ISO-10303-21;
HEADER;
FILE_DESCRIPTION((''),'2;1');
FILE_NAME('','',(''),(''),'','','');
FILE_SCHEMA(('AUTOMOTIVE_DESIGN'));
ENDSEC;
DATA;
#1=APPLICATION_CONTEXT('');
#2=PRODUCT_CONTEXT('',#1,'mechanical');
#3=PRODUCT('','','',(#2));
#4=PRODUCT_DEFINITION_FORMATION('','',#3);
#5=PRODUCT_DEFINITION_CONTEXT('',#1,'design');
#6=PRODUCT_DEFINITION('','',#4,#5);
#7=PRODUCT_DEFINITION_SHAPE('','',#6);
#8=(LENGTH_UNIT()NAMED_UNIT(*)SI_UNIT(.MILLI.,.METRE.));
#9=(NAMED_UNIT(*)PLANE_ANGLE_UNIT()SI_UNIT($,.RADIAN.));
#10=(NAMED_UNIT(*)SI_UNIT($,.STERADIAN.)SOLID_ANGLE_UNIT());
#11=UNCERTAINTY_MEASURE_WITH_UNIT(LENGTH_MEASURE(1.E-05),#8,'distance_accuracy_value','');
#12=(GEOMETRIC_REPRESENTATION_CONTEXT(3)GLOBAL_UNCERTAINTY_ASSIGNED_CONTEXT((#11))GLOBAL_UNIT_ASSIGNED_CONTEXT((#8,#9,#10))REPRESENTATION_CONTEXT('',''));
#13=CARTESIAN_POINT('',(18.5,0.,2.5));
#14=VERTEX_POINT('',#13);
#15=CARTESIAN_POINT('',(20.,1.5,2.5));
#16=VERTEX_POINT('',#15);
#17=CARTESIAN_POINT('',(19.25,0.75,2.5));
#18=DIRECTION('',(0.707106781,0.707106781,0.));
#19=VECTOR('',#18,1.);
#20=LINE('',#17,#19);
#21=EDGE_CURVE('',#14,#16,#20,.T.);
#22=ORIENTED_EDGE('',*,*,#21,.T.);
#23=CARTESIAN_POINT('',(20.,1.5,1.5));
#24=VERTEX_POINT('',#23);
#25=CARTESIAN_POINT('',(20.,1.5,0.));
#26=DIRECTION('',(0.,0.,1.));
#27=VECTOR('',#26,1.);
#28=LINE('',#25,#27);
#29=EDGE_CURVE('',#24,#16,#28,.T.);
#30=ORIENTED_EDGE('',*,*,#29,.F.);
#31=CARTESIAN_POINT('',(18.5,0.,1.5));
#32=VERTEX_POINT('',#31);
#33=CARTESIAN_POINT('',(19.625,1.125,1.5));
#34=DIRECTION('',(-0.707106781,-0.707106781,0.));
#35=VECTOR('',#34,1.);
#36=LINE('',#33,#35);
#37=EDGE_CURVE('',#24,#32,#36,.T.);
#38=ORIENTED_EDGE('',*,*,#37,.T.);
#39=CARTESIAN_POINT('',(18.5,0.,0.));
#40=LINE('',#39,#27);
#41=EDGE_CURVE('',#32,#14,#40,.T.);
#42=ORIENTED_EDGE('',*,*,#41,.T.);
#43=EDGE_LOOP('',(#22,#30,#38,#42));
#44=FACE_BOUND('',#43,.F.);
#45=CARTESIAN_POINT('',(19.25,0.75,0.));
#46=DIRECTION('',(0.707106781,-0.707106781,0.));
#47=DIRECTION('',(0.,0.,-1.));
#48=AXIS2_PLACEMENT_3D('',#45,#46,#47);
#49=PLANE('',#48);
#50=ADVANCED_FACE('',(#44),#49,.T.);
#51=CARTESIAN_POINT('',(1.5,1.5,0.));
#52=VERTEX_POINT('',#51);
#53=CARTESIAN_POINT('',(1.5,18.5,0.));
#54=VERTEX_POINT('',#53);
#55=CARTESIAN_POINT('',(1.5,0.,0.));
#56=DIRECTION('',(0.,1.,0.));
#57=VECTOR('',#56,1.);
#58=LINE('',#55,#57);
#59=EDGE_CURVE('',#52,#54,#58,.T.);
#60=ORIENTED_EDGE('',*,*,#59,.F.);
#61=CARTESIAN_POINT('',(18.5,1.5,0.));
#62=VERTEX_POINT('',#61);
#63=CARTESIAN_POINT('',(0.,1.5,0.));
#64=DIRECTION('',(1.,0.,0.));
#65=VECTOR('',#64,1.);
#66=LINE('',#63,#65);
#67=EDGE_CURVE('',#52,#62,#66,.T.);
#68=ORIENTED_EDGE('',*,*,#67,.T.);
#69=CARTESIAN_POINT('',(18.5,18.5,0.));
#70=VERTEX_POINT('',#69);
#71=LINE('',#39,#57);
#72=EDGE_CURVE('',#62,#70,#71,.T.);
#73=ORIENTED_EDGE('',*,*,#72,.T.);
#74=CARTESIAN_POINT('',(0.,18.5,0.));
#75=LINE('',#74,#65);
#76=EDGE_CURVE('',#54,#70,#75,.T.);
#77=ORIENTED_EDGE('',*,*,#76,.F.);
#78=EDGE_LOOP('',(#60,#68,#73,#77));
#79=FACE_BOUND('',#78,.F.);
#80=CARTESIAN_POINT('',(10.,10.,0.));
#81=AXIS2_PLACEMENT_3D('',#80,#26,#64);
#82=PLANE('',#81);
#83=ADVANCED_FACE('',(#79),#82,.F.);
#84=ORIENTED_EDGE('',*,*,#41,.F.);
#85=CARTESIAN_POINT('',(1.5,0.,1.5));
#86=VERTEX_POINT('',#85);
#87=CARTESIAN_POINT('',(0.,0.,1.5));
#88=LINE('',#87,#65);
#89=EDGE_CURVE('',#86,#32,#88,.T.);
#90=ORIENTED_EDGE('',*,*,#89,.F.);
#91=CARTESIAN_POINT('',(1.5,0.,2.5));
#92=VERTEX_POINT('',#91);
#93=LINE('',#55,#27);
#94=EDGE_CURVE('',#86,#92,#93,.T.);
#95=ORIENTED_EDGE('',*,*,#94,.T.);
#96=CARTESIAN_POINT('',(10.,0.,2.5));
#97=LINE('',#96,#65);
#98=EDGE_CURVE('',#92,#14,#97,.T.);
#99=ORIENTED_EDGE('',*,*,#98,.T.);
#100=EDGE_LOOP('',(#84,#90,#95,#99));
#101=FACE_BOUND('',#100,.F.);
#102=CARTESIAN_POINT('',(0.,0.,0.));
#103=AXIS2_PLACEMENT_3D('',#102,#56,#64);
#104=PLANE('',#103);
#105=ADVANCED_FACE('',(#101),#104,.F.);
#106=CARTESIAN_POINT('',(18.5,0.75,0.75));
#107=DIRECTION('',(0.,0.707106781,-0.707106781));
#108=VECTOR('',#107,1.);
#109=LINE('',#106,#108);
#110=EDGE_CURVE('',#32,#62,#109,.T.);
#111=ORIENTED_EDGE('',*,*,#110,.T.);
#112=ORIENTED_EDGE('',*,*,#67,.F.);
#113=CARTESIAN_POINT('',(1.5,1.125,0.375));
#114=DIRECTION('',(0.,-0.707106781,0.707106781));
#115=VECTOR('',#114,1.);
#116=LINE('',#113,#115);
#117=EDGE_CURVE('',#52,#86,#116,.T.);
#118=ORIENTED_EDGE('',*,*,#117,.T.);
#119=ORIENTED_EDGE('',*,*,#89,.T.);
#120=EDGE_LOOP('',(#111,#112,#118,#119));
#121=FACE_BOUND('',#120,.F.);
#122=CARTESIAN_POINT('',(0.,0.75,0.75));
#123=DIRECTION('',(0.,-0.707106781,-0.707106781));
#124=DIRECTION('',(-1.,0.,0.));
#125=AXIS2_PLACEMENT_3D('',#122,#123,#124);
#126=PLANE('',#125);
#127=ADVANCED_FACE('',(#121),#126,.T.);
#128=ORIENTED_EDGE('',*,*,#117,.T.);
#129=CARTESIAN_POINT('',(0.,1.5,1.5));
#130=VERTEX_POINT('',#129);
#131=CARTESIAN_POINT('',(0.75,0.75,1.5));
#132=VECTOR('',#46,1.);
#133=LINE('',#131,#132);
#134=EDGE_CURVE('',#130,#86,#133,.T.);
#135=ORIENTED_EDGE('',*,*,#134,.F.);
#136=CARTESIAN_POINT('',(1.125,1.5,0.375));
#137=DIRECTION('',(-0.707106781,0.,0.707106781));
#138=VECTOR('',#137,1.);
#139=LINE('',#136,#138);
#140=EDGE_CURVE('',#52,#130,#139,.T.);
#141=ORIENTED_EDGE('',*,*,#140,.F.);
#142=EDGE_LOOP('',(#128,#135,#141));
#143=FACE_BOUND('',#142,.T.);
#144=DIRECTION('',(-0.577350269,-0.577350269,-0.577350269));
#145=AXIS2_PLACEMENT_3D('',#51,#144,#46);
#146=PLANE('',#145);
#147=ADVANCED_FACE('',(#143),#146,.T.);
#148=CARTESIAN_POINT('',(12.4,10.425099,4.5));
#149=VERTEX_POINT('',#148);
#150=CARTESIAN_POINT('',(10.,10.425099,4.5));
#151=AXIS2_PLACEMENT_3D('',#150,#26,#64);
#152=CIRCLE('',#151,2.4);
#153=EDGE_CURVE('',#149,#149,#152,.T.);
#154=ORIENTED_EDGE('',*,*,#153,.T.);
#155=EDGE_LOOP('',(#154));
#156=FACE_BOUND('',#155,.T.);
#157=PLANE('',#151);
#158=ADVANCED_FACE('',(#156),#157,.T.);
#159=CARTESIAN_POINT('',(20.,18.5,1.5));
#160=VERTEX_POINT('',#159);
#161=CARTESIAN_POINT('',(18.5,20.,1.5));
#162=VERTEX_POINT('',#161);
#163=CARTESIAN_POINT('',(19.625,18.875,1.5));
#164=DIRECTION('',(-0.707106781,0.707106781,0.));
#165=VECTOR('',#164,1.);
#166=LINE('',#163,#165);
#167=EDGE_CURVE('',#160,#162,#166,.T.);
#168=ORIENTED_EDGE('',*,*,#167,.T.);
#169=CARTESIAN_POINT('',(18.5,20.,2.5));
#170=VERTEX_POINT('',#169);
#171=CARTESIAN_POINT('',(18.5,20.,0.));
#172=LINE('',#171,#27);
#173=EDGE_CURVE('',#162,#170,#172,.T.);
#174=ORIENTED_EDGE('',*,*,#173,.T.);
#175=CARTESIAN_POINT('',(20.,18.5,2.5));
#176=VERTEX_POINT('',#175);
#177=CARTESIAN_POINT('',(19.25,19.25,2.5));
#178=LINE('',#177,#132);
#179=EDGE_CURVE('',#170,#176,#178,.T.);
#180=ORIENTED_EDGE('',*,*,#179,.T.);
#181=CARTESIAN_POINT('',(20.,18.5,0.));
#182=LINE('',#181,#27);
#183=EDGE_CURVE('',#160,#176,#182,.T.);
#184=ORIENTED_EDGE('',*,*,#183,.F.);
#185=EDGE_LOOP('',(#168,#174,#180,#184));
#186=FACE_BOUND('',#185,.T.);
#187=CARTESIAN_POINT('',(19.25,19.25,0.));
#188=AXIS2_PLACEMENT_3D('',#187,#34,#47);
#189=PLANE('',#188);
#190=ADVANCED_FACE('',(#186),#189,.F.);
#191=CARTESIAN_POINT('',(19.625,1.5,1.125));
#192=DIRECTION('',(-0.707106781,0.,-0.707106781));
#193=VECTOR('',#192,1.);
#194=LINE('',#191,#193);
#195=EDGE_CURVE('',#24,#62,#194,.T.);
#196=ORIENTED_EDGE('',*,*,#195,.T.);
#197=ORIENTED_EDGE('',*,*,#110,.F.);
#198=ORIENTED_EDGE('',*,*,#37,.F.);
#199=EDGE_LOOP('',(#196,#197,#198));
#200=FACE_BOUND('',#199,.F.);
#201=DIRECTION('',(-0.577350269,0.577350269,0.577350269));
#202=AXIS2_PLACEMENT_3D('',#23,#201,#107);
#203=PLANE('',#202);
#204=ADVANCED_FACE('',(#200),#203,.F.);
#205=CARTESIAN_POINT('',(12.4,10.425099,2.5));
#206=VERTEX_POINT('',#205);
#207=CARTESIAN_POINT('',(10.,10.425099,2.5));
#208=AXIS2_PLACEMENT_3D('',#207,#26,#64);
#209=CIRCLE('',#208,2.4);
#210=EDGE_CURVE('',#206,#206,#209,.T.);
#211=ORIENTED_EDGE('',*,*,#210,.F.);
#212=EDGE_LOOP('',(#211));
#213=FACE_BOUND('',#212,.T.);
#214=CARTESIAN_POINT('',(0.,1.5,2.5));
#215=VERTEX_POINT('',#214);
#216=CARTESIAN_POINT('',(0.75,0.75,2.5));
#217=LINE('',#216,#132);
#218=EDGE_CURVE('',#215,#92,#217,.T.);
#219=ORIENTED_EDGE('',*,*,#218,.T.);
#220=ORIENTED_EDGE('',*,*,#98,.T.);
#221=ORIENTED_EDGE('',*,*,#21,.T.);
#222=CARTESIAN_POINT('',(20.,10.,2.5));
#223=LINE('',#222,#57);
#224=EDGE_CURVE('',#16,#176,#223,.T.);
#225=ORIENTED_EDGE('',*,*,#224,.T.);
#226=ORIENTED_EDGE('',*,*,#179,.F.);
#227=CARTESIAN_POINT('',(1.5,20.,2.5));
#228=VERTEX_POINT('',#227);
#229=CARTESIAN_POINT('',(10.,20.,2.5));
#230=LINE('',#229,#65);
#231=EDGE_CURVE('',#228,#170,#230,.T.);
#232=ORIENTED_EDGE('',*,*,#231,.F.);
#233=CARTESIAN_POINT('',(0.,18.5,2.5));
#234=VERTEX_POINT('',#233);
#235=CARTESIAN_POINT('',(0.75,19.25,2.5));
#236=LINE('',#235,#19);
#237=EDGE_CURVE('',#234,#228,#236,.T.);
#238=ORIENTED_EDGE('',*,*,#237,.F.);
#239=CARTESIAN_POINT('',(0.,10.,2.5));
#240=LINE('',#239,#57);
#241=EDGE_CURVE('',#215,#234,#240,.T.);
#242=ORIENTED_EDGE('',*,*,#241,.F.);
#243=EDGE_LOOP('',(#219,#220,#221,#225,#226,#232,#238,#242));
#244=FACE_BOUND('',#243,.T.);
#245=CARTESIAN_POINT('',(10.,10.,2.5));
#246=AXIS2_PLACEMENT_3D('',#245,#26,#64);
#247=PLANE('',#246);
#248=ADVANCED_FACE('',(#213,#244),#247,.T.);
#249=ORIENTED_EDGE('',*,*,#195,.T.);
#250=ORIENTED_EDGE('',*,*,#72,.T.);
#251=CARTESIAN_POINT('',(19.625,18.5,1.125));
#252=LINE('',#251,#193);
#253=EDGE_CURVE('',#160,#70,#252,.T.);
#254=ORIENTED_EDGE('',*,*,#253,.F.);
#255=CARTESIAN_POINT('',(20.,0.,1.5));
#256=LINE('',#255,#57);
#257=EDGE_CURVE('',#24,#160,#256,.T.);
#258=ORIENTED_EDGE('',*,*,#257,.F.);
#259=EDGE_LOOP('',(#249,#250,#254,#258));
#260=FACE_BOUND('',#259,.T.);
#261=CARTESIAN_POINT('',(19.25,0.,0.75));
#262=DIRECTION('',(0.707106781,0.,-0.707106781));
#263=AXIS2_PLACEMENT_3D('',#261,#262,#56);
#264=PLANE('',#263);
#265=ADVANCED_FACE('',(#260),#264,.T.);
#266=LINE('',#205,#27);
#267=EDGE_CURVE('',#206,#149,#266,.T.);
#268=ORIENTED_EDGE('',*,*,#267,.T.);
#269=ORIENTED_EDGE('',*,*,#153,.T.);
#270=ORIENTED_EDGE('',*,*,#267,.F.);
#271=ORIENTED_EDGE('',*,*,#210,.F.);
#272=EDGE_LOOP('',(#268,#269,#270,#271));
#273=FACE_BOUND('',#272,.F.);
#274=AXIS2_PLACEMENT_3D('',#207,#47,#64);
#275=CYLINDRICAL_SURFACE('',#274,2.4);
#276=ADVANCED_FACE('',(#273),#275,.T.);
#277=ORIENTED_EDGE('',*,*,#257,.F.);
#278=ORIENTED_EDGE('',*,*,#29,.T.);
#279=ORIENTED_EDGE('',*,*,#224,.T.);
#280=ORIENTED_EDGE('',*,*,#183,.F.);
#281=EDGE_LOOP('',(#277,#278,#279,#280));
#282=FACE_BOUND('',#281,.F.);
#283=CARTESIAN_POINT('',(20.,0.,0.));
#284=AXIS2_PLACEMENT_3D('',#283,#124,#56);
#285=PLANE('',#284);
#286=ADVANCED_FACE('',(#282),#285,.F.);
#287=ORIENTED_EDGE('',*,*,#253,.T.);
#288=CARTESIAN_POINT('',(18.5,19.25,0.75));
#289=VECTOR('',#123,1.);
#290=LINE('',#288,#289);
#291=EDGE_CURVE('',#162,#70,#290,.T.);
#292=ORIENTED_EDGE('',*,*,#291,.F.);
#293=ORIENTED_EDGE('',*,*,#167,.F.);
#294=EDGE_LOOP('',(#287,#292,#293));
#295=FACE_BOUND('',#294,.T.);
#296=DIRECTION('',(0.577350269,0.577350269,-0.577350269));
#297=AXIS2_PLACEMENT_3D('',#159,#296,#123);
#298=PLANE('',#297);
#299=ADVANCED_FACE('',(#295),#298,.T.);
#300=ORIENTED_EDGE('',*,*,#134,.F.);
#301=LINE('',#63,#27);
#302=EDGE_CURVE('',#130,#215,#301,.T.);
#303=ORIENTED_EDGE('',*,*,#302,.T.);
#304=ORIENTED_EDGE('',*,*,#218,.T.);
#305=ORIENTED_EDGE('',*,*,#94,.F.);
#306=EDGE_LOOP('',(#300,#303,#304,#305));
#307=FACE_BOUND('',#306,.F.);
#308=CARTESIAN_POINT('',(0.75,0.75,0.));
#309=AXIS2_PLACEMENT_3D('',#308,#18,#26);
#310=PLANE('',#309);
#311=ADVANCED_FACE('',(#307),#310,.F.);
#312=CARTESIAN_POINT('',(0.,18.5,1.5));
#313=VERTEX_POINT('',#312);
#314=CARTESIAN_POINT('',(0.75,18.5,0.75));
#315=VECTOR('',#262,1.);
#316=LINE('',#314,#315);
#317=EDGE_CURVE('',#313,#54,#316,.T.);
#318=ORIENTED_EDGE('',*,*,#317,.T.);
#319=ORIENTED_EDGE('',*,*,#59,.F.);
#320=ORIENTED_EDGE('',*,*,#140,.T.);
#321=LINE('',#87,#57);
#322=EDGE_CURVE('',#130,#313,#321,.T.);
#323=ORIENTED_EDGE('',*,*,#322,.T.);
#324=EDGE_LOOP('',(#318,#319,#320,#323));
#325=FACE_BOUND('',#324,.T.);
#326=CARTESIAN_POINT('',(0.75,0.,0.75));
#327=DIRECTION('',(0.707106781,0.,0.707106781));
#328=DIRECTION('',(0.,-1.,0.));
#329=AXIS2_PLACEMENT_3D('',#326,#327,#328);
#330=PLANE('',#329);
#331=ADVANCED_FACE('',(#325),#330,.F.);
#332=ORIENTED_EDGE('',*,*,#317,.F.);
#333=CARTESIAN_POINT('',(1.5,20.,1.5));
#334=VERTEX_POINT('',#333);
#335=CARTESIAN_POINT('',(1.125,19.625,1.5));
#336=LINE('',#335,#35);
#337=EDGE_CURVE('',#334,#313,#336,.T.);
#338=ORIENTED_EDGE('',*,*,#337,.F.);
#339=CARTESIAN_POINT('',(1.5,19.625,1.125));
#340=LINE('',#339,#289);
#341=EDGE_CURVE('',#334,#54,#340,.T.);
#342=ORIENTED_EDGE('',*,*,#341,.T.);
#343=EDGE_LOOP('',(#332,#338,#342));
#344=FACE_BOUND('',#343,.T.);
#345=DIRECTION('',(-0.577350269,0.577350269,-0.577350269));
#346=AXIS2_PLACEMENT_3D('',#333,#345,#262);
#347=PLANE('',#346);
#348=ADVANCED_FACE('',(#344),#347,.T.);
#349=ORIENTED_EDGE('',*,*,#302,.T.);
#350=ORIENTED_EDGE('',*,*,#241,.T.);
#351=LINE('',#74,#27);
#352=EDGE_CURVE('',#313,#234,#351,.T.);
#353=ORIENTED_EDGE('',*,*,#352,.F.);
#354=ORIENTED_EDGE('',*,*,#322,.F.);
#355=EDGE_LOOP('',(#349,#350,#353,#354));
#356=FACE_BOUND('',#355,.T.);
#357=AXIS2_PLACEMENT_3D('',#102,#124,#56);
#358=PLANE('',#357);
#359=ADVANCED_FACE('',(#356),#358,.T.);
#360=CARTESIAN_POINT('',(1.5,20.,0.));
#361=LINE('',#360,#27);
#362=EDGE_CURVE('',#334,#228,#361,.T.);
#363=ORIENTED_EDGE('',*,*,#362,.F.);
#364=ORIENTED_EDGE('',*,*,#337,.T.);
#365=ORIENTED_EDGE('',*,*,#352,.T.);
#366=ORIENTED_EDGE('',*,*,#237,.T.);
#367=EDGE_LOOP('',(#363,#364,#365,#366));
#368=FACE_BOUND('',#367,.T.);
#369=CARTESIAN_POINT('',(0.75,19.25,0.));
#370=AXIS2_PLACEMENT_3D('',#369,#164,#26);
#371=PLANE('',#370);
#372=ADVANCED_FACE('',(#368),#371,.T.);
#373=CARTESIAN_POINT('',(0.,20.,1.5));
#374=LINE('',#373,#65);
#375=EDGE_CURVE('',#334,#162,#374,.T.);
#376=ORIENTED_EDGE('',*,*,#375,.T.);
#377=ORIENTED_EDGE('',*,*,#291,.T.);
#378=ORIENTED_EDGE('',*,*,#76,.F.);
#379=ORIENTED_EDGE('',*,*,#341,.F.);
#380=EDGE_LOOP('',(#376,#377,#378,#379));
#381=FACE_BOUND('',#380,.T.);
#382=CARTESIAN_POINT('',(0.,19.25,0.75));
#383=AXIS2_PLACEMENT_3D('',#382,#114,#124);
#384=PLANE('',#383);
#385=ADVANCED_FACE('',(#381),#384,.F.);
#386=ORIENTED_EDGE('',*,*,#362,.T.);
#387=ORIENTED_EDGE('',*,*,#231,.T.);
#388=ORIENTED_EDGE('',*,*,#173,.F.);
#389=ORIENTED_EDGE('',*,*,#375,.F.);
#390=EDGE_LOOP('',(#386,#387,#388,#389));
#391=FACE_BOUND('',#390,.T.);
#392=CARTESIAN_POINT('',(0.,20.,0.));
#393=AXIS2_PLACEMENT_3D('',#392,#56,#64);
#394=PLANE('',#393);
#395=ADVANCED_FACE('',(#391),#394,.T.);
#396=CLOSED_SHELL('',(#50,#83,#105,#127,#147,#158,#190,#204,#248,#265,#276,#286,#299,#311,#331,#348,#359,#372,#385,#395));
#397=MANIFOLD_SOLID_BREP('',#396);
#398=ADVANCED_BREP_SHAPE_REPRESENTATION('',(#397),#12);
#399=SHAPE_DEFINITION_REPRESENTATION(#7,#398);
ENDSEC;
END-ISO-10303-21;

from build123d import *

# Parameters (mm, degrees)
BOX_W        = 20
BOX_H        = 20
BOX_DEPTH    = 2.5
SKETCH_R     = 2.4
PAD_DEPTH    = 2
CHAMFER_SIZE = 1.5


with BuildPart() as cubo:
    # Box → Box (new body)
    with BuildSketch(Plane.XY):
        with Locations((10, 10)):
            Rectangle(BOX_W, BOX_H)
    extrude(amount=BOX_DEPTH)


with BuildPart() as pad:
    # Pad base: copy of Cubo
    add(cubo.part)

    # Sketch → Pad (new body)
    with BuildSketch(Plane.XY.offset(2.5)):
        with Locations((10, 10.425099)):
            Circle(SKETCH_R)
    extrude(amount=PAD_DEPTH)


with BuildPart() as chamfer_body:
    # Fusion base: copy of Cubo
    add(cubo.part)

    # Fusion: union Pad
    add(pad.part)

    # Chamfer
    chamfer_edges = [chamfer_body.edges().sort_by_distance(p)[0] for p in [
        (0, 0, 1.25),
        (0, 10, 0),
        (0, 20, 1.25),
        (10, 0, 0),
        (20, 0, 1.25),
        (10, 20, 0),
        (20, 20, 1.25),
        (20, 10, 0),
    ]]
    chamfer(chamfer_edges, length=CHAMFER_SIZE)


solid = chamfer_body.part
